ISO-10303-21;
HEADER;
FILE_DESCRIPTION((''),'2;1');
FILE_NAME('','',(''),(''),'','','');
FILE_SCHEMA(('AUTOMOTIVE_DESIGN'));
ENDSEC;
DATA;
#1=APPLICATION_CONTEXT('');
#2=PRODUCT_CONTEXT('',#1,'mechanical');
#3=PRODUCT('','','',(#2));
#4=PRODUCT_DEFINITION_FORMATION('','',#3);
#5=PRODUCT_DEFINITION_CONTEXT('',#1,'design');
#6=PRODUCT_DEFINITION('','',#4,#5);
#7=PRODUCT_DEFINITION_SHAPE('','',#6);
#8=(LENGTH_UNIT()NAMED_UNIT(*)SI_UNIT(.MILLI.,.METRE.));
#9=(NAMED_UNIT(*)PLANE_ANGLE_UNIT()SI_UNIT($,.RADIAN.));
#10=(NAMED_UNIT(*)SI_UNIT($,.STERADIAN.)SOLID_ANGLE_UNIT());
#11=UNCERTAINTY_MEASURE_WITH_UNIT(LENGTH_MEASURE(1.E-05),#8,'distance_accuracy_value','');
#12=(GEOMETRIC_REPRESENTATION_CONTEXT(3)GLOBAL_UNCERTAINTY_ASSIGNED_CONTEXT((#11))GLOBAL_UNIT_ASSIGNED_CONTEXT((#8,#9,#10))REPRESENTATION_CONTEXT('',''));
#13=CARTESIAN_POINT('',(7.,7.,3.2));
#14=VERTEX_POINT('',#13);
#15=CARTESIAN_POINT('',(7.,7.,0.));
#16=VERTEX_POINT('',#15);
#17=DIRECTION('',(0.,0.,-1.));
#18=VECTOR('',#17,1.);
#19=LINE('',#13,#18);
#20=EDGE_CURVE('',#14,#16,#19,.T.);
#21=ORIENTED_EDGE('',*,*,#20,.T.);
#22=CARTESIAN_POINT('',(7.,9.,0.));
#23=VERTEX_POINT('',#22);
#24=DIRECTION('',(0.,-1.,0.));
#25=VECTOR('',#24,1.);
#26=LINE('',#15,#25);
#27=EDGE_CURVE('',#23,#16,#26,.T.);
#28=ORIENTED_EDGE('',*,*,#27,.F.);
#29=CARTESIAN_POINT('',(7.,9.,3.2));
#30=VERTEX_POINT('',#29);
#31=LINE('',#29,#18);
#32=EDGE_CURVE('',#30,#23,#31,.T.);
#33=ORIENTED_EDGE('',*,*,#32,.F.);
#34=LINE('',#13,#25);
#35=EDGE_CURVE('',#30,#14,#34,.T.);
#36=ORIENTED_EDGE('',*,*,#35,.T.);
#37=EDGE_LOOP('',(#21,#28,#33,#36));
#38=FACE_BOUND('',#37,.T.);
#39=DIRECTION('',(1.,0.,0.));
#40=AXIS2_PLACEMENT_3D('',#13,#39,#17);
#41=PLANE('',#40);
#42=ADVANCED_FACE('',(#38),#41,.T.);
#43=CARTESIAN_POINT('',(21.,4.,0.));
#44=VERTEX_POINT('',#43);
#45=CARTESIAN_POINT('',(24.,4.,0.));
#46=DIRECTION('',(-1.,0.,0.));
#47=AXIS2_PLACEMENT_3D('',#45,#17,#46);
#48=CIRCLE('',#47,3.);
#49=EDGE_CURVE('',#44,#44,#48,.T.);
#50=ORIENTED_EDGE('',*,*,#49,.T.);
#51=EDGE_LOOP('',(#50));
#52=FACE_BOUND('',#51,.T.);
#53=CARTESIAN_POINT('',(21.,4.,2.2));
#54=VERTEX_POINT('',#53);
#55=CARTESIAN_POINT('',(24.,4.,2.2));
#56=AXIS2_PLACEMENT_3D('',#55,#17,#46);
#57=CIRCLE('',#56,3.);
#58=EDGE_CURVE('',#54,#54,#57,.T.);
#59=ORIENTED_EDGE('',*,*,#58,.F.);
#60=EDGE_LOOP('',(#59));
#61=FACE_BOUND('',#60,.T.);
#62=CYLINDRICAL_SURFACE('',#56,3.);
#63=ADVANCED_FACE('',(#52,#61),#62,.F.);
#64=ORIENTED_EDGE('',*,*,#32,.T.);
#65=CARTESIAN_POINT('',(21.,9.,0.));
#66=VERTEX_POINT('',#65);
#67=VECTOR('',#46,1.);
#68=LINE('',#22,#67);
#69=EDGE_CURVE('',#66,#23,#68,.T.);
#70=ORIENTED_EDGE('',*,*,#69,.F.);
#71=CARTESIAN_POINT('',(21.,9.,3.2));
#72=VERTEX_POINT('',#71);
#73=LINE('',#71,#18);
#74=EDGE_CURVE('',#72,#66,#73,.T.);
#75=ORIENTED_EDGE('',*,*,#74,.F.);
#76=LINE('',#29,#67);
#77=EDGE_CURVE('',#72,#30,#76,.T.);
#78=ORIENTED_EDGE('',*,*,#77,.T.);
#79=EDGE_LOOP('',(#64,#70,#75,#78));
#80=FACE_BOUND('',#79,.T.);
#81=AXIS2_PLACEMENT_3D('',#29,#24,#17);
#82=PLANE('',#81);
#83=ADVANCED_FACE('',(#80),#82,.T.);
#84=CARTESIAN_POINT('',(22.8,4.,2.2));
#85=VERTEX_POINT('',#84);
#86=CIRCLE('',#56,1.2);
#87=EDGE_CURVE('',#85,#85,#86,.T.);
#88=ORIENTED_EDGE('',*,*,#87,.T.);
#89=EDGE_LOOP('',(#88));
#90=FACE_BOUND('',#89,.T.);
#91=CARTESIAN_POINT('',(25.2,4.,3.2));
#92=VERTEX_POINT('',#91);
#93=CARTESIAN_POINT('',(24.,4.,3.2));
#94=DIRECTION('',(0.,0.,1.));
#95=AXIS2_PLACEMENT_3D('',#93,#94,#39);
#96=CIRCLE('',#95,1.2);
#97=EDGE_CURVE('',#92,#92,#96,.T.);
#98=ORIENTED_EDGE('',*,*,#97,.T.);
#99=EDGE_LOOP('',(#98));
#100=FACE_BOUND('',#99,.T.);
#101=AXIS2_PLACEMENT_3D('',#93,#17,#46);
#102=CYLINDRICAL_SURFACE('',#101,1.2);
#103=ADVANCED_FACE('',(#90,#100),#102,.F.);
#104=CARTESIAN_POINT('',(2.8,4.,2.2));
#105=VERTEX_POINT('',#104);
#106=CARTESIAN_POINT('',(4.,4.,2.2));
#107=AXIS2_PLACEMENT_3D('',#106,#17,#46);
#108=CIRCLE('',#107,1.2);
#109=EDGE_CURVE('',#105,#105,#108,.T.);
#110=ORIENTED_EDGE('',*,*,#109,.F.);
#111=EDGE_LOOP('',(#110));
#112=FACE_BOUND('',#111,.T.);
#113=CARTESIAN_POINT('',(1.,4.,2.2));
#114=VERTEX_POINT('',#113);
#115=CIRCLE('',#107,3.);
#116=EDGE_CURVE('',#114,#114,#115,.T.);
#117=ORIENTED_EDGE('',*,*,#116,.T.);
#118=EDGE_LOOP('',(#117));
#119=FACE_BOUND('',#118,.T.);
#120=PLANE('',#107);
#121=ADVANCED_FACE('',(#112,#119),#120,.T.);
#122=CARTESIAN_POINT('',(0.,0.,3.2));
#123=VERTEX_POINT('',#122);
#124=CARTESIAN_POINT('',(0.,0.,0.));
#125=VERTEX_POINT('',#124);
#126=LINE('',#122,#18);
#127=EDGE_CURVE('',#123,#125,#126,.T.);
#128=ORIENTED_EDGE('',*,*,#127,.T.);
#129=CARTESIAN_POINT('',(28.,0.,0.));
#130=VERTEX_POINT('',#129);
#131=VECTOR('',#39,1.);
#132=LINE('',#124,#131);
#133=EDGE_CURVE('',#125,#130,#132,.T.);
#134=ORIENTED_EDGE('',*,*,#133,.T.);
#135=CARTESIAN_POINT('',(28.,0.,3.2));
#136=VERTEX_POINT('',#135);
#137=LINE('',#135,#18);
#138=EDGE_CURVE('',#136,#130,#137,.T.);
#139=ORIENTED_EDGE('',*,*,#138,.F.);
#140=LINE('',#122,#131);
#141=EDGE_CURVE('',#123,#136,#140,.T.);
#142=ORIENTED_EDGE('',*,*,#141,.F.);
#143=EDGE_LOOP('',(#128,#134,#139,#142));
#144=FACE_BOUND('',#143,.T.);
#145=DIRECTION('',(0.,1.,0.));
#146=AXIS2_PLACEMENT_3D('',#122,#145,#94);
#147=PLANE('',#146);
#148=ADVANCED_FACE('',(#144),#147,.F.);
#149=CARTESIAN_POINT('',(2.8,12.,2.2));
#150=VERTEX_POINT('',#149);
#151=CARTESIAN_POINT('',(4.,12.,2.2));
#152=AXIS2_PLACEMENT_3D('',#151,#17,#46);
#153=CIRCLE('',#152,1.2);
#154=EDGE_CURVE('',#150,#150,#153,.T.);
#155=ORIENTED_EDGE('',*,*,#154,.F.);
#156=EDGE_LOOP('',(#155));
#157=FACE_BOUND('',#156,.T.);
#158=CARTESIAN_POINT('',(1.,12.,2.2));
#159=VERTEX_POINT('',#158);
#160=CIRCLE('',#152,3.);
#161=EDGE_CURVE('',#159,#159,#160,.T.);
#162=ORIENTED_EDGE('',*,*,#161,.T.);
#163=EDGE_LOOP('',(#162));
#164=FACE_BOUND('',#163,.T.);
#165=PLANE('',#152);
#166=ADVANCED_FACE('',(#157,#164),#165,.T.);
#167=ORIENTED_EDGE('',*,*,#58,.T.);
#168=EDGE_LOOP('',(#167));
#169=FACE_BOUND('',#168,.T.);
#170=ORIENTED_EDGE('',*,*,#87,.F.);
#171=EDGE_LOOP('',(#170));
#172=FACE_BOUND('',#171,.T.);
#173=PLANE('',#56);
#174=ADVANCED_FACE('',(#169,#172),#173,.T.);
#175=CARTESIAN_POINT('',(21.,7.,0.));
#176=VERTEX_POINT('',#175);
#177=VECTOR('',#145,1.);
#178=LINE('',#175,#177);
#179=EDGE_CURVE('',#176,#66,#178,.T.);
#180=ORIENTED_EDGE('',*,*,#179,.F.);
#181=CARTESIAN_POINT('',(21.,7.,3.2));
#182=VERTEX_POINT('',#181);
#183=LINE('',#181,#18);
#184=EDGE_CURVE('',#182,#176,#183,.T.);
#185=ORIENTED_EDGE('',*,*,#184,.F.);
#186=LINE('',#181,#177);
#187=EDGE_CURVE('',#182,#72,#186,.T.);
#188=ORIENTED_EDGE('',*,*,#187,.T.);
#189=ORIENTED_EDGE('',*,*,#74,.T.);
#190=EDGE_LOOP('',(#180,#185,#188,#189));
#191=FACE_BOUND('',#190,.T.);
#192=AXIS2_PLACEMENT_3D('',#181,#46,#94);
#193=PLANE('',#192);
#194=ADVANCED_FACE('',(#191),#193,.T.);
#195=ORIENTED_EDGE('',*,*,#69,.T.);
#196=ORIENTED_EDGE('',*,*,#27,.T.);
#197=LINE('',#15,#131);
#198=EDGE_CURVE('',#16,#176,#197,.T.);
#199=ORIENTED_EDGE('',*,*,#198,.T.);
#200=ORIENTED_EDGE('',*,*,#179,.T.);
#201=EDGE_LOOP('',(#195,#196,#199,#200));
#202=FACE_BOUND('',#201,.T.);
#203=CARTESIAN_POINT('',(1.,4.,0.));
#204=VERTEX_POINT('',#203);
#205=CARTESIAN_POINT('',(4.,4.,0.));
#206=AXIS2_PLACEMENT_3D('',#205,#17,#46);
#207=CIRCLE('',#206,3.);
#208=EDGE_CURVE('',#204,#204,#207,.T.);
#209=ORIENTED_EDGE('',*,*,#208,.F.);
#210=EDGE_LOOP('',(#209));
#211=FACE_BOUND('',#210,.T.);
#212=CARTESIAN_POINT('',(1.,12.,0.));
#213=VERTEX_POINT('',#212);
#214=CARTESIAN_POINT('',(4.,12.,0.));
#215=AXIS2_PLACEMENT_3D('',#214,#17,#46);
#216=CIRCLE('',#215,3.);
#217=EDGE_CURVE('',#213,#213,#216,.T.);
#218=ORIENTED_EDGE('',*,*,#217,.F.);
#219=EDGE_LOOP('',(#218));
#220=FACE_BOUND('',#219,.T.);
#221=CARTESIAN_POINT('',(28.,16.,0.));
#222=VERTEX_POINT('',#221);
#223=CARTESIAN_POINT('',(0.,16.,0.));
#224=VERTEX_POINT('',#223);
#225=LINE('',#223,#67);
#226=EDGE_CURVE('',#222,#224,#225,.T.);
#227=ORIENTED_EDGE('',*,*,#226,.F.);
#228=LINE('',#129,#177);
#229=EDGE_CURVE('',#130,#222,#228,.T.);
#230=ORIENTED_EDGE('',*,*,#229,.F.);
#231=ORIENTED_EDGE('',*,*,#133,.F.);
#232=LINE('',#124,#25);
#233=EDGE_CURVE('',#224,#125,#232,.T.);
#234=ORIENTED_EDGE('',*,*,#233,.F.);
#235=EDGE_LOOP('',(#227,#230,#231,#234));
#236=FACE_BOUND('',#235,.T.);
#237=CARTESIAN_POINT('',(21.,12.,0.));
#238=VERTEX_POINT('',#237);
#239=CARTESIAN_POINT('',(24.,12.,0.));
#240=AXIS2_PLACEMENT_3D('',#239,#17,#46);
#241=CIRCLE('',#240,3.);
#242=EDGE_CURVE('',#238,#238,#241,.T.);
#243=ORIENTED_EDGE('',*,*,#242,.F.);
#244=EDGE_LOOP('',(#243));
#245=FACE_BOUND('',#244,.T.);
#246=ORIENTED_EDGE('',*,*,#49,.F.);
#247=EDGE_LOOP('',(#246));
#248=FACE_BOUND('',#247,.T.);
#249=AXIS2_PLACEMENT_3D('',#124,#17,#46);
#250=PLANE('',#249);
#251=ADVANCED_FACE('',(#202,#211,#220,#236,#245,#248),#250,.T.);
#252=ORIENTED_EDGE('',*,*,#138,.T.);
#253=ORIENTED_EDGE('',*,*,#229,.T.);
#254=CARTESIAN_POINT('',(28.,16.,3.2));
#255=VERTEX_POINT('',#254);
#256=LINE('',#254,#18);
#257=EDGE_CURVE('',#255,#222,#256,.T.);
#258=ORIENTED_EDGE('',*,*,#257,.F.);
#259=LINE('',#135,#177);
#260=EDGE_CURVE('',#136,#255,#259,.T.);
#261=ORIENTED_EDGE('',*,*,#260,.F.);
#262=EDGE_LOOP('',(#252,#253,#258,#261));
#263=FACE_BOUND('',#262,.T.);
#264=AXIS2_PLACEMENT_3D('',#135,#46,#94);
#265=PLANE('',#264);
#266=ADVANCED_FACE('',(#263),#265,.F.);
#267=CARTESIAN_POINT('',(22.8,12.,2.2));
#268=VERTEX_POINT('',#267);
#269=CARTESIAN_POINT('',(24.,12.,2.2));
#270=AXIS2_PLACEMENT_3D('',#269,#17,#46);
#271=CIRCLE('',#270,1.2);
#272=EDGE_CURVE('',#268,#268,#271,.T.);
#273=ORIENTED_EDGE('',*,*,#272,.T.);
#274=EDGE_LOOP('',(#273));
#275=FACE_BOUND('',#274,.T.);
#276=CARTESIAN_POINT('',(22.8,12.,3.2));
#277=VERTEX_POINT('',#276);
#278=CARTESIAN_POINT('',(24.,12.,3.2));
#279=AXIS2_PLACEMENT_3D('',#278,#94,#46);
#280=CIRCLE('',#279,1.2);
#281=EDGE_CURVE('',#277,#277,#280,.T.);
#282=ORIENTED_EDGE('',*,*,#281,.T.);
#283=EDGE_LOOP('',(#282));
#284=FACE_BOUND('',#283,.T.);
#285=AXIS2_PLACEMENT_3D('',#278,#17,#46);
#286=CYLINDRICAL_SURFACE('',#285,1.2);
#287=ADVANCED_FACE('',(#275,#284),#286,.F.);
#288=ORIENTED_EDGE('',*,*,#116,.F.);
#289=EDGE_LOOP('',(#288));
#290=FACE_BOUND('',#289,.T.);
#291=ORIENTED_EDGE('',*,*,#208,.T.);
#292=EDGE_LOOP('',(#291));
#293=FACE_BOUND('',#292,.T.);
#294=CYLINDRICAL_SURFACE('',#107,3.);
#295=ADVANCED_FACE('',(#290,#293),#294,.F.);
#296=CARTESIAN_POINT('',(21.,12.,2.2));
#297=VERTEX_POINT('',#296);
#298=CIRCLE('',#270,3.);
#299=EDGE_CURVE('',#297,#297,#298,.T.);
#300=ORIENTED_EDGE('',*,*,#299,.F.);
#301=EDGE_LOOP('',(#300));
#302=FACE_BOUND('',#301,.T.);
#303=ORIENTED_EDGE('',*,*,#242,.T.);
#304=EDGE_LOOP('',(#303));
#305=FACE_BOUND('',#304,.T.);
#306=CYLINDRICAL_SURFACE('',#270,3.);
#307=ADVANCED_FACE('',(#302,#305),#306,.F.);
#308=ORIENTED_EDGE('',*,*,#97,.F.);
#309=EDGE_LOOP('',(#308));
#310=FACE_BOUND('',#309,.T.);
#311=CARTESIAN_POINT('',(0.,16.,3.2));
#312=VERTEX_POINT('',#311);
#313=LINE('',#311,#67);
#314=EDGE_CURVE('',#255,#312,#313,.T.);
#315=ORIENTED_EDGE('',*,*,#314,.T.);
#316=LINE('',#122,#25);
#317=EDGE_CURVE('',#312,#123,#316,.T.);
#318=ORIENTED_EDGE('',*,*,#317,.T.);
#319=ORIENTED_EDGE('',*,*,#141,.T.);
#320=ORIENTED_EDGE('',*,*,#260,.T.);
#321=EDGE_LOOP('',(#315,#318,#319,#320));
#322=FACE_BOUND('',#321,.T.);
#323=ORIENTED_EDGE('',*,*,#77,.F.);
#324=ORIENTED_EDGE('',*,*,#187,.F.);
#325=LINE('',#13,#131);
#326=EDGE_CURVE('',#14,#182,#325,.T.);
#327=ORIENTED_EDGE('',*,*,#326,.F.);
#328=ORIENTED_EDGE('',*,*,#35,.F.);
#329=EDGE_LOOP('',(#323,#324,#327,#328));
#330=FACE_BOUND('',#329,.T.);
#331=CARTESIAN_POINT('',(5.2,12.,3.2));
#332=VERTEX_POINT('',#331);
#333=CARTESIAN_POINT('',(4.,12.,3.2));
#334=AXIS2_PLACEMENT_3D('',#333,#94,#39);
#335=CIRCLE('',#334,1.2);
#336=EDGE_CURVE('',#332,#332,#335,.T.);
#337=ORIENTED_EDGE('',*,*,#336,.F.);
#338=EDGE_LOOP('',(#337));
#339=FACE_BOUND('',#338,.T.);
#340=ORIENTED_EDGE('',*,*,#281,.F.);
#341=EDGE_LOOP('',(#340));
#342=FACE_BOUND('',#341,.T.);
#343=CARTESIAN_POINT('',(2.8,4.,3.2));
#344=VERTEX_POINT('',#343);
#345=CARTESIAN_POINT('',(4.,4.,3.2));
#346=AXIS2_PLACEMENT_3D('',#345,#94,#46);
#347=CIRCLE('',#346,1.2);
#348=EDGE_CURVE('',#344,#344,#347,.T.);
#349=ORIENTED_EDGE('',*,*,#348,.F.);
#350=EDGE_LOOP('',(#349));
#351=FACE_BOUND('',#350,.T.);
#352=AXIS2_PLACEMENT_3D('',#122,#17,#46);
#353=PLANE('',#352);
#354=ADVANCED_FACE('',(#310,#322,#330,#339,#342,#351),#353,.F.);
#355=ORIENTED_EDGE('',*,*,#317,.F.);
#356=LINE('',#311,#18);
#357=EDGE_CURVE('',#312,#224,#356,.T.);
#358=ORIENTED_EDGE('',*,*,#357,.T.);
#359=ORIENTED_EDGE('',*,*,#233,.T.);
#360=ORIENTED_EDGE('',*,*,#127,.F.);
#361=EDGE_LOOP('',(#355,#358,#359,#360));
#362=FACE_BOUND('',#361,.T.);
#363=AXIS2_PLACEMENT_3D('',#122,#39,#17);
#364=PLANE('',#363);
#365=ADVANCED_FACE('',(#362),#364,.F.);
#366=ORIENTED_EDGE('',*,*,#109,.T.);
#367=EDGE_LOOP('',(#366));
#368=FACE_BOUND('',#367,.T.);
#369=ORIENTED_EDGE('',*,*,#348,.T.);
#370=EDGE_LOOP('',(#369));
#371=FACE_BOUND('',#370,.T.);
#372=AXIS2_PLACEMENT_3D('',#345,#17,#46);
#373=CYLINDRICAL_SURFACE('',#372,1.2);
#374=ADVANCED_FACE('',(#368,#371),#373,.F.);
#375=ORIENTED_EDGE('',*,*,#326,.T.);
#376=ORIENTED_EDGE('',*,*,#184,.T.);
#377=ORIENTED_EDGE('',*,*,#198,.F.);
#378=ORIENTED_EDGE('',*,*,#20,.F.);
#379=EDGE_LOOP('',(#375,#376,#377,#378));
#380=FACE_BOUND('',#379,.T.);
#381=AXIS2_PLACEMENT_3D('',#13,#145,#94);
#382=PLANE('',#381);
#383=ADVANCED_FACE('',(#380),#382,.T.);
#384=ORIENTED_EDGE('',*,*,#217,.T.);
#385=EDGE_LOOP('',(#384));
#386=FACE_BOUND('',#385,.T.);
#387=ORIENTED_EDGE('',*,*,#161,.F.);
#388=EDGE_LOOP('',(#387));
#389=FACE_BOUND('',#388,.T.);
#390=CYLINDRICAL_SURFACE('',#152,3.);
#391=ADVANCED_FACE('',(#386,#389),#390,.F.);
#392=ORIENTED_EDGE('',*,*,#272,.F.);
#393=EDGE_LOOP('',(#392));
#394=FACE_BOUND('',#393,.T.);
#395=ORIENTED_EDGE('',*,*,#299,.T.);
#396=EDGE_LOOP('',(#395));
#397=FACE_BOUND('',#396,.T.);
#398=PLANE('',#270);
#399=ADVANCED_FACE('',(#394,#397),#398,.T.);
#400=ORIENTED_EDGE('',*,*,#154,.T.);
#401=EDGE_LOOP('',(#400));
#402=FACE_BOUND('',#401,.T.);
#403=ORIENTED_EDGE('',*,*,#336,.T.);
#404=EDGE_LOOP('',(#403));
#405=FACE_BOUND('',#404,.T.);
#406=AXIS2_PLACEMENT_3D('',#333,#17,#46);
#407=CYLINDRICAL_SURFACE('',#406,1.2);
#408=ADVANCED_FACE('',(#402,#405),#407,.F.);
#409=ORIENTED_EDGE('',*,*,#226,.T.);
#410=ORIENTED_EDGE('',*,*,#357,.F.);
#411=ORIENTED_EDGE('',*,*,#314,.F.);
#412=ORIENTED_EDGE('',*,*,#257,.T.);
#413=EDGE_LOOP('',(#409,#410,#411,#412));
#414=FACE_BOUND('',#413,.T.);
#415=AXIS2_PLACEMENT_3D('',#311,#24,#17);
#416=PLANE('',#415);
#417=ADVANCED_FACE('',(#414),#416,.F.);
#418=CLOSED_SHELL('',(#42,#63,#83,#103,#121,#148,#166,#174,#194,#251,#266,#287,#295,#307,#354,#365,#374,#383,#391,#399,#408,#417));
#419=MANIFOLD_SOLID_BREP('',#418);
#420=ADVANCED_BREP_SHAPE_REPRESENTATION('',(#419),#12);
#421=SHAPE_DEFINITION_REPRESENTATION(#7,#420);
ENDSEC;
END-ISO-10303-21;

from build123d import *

# Parameters (mm, degrees)
SKETCH1_W           = 28
SKETCH1_H           = 16
SKETCH1_R           = 1.2
SKETCH1_W_2         = 14
SKETCH1_H_2         = 2
BOSS_EXTRUDE1_DEPTH = 3.2
SKETCH2_R           = 3
CUT_EXTRUDE1_DEPTH  = 2.2


with BuildPart() as part:
    # Sketch1 → Boss-Extrude1 (new body)
    with BuildSketch(Plane.XY):
        with Locations((14, 8)):
            Rectangle(SKETCH1_W, SKETCH1_H)
        with Locations((4, 12)):
            Circle(SKETCH1_R, mode=Mode.SUBTRACT)
        with Locations(Location((4, 4, 0), (0, 0, 180))):
            Circle(SKETCH1_R, mode=Mode.SUBTRACT)
        with Locations((24, 4)):
            Circle(SKETCH1_R, mode=Mode.SUBTRACT)
        with Locations(Location((24, 12, 0), (0, 0, 180))):
            Circle(SKETCH1_R, mode=Mode.SUBTRACT)
        with Locations((14, 8)):
            Rectangle(SKETCH1_W_2, SKETCH1_H_2, mode=Mode.SUBTRACT)
    extrude(amount=BOSS_EXTRUDE1_DEPTH)

    # Sketch2 → Cut-Extrude1 (cut)
    with BuildSketch(Plane(origin=(0, 0, 0), x_dir=(-1, 0, 0), z_dir=(0, 0, -1))):
        with Locations((-4, 12)):
            Circle(SKETCH2_R)
        with Locations((-4, 4)):
            Circle(SKETCH2_R)
        with Locations((-24, 4)):
            Circle(SKETCH2_R)
        with Locations((-24, 12)):
            Circle(SKETCH2_R)
    extrude(amount=-CUT_EXTRUDE1_DEPTH, mode=Mode.SUBTRACT)


solid = part.part
